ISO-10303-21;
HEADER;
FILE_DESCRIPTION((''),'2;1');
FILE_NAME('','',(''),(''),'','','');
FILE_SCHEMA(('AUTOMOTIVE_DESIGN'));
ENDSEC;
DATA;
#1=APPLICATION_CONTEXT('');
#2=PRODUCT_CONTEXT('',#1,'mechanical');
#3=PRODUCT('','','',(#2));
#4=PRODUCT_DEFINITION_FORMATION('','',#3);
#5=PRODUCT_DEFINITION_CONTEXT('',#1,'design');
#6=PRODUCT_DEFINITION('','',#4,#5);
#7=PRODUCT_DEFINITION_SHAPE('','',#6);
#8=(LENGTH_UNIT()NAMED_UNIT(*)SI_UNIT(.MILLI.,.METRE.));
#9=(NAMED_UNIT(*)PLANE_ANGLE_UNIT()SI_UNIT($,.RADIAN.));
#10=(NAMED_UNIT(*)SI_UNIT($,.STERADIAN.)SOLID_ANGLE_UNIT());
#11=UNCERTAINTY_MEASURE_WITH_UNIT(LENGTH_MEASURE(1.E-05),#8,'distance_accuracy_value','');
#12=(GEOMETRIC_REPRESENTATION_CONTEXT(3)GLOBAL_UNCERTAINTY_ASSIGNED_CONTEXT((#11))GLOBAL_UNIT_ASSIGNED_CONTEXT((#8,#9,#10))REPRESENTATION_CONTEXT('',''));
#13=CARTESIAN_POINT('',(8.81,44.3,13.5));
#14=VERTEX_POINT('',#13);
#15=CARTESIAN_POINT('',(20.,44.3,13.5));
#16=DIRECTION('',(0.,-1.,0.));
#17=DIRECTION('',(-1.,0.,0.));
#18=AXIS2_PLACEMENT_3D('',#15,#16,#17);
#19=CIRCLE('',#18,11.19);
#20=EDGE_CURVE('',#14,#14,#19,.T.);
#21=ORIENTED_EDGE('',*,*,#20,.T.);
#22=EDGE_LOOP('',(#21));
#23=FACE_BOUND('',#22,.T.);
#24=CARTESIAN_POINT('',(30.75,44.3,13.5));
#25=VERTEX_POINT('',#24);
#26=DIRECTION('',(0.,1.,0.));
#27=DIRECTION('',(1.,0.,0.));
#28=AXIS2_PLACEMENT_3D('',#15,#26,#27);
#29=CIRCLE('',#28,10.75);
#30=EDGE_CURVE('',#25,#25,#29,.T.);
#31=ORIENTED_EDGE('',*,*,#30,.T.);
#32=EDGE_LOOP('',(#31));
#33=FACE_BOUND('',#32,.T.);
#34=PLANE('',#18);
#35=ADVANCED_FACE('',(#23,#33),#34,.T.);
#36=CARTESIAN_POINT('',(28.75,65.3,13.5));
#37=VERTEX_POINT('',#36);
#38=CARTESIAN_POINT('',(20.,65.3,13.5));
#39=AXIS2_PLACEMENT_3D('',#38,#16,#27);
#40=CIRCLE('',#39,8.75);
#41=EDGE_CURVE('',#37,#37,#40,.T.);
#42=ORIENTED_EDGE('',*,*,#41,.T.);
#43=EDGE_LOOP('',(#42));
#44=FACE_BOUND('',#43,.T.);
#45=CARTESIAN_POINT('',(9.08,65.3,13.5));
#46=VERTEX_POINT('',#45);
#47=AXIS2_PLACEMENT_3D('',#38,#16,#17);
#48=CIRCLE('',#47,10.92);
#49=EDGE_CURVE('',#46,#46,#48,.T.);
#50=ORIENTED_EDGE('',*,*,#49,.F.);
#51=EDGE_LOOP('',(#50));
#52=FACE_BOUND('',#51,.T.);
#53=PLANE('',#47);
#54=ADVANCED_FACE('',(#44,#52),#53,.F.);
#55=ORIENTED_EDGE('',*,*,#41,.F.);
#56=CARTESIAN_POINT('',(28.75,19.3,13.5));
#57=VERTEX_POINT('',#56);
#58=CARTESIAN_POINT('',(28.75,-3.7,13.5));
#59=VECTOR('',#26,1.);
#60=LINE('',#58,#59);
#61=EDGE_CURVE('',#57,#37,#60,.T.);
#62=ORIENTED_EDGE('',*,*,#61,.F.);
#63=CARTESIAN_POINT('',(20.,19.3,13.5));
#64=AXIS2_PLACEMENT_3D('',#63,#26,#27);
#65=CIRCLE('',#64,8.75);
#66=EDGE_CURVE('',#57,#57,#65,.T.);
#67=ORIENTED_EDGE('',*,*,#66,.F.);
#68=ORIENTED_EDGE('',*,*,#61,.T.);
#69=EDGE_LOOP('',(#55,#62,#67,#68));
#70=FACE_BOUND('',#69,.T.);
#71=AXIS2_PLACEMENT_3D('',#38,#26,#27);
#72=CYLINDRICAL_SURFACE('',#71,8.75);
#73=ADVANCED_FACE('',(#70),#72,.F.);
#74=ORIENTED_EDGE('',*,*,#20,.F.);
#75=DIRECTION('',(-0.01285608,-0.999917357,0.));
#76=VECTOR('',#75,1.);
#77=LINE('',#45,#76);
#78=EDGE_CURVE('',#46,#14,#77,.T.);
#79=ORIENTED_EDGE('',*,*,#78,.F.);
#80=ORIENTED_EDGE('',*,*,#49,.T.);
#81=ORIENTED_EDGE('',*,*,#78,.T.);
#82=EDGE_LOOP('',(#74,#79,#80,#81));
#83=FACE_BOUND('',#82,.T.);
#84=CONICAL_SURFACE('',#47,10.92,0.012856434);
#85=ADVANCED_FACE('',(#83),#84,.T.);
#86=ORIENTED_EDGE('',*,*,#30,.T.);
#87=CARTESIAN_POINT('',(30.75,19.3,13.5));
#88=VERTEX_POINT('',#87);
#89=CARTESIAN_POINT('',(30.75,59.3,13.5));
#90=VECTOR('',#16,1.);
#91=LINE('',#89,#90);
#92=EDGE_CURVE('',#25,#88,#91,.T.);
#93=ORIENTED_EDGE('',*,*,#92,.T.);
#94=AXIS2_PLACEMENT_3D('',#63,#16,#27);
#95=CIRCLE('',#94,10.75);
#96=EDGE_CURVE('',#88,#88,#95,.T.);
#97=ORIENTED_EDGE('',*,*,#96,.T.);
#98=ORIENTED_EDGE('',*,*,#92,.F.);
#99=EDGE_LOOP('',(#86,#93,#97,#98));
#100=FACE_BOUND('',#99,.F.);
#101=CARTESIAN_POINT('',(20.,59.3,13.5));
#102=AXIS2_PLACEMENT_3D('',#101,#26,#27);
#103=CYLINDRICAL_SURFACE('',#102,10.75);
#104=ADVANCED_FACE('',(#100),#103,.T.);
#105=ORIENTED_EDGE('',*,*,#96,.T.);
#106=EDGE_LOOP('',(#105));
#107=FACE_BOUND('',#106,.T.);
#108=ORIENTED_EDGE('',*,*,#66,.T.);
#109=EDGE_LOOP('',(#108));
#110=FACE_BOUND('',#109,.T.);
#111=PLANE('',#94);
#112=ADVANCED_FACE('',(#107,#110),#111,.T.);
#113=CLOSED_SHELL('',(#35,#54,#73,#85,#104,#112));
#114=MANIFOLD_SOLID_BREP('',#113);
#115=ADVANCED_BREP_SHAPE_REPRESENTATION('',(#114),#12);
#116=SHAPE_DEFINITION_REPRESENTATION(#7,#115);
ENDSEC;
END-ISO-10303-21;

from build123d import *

# Parameters (mm, degrees)
CYLINDER005_R     = 8.75
CYLINDER005_DEPTH = 40
CYLINDER003_R     = 8.75
CYLINDER003_DEPTH = 40
CYLINDER007_R     = 10.75
CYLINDER007_DEPTH = 40


with BuildPart() as outletextension:
    # Cylinder005 → Cylinder005 (new body)
    with BuildSketch(Plane(origin=(20, 65.3, 13.5), x_dir=(1, 0, 0), z_dir=(0, -1, 0))):
        Circle(CYLINDER005_R)
    extrude(amount=CYLINDER005_DEPTH)


with BuildPart() as inside:
    # Cylinder003 → Cylinder003 (new body)
    with BuildSketch(Plane(origin=(20, 36.3, 13.5), x_dir=(1, 0, 0), z_dir=(0, -1, 0))):
        Circle(CYLINDER003_R)
    extrude(amount=CYLINDER003_DEPTH)

    # Fusion001: union OutletExtension
    add(outletextension.part)


with BuildPart() as housingoutlet:
    # Cylinder007 → Cylinder007 (new body)
    with BuildSketch(Plane(origin=(20, 59.3, 13.5), x_dir=(1, 0, 0), z_dir=(0, -1, 0))):
        Circle(CYLINDER007_R)
    extrude(amount=CYLINDER007_DEPTH)


with BuildPart() as bloweroutletadapter:
    # Cone001 → Cone001 (revolve)
    with BuildSketch(Plane(origin=(20, 65.3, 13.5), x_dir=(-1, 0, 0), z_dir=(0, 0, 1))):
        Polygon((0, 0), (10.92, 0), (11.19, 21), (0, 21), align=None)
    revolve(axis=Axis((20, 65.3, 13.5), (0, -1, 0)))

    # Fusion: union HousingOutlet
    add(housingoutlet.part)

    # Cut: cut inside
    add(inside.part, mode=Mode.SUBTRACT)


solid = bloweroutletadapter.part
